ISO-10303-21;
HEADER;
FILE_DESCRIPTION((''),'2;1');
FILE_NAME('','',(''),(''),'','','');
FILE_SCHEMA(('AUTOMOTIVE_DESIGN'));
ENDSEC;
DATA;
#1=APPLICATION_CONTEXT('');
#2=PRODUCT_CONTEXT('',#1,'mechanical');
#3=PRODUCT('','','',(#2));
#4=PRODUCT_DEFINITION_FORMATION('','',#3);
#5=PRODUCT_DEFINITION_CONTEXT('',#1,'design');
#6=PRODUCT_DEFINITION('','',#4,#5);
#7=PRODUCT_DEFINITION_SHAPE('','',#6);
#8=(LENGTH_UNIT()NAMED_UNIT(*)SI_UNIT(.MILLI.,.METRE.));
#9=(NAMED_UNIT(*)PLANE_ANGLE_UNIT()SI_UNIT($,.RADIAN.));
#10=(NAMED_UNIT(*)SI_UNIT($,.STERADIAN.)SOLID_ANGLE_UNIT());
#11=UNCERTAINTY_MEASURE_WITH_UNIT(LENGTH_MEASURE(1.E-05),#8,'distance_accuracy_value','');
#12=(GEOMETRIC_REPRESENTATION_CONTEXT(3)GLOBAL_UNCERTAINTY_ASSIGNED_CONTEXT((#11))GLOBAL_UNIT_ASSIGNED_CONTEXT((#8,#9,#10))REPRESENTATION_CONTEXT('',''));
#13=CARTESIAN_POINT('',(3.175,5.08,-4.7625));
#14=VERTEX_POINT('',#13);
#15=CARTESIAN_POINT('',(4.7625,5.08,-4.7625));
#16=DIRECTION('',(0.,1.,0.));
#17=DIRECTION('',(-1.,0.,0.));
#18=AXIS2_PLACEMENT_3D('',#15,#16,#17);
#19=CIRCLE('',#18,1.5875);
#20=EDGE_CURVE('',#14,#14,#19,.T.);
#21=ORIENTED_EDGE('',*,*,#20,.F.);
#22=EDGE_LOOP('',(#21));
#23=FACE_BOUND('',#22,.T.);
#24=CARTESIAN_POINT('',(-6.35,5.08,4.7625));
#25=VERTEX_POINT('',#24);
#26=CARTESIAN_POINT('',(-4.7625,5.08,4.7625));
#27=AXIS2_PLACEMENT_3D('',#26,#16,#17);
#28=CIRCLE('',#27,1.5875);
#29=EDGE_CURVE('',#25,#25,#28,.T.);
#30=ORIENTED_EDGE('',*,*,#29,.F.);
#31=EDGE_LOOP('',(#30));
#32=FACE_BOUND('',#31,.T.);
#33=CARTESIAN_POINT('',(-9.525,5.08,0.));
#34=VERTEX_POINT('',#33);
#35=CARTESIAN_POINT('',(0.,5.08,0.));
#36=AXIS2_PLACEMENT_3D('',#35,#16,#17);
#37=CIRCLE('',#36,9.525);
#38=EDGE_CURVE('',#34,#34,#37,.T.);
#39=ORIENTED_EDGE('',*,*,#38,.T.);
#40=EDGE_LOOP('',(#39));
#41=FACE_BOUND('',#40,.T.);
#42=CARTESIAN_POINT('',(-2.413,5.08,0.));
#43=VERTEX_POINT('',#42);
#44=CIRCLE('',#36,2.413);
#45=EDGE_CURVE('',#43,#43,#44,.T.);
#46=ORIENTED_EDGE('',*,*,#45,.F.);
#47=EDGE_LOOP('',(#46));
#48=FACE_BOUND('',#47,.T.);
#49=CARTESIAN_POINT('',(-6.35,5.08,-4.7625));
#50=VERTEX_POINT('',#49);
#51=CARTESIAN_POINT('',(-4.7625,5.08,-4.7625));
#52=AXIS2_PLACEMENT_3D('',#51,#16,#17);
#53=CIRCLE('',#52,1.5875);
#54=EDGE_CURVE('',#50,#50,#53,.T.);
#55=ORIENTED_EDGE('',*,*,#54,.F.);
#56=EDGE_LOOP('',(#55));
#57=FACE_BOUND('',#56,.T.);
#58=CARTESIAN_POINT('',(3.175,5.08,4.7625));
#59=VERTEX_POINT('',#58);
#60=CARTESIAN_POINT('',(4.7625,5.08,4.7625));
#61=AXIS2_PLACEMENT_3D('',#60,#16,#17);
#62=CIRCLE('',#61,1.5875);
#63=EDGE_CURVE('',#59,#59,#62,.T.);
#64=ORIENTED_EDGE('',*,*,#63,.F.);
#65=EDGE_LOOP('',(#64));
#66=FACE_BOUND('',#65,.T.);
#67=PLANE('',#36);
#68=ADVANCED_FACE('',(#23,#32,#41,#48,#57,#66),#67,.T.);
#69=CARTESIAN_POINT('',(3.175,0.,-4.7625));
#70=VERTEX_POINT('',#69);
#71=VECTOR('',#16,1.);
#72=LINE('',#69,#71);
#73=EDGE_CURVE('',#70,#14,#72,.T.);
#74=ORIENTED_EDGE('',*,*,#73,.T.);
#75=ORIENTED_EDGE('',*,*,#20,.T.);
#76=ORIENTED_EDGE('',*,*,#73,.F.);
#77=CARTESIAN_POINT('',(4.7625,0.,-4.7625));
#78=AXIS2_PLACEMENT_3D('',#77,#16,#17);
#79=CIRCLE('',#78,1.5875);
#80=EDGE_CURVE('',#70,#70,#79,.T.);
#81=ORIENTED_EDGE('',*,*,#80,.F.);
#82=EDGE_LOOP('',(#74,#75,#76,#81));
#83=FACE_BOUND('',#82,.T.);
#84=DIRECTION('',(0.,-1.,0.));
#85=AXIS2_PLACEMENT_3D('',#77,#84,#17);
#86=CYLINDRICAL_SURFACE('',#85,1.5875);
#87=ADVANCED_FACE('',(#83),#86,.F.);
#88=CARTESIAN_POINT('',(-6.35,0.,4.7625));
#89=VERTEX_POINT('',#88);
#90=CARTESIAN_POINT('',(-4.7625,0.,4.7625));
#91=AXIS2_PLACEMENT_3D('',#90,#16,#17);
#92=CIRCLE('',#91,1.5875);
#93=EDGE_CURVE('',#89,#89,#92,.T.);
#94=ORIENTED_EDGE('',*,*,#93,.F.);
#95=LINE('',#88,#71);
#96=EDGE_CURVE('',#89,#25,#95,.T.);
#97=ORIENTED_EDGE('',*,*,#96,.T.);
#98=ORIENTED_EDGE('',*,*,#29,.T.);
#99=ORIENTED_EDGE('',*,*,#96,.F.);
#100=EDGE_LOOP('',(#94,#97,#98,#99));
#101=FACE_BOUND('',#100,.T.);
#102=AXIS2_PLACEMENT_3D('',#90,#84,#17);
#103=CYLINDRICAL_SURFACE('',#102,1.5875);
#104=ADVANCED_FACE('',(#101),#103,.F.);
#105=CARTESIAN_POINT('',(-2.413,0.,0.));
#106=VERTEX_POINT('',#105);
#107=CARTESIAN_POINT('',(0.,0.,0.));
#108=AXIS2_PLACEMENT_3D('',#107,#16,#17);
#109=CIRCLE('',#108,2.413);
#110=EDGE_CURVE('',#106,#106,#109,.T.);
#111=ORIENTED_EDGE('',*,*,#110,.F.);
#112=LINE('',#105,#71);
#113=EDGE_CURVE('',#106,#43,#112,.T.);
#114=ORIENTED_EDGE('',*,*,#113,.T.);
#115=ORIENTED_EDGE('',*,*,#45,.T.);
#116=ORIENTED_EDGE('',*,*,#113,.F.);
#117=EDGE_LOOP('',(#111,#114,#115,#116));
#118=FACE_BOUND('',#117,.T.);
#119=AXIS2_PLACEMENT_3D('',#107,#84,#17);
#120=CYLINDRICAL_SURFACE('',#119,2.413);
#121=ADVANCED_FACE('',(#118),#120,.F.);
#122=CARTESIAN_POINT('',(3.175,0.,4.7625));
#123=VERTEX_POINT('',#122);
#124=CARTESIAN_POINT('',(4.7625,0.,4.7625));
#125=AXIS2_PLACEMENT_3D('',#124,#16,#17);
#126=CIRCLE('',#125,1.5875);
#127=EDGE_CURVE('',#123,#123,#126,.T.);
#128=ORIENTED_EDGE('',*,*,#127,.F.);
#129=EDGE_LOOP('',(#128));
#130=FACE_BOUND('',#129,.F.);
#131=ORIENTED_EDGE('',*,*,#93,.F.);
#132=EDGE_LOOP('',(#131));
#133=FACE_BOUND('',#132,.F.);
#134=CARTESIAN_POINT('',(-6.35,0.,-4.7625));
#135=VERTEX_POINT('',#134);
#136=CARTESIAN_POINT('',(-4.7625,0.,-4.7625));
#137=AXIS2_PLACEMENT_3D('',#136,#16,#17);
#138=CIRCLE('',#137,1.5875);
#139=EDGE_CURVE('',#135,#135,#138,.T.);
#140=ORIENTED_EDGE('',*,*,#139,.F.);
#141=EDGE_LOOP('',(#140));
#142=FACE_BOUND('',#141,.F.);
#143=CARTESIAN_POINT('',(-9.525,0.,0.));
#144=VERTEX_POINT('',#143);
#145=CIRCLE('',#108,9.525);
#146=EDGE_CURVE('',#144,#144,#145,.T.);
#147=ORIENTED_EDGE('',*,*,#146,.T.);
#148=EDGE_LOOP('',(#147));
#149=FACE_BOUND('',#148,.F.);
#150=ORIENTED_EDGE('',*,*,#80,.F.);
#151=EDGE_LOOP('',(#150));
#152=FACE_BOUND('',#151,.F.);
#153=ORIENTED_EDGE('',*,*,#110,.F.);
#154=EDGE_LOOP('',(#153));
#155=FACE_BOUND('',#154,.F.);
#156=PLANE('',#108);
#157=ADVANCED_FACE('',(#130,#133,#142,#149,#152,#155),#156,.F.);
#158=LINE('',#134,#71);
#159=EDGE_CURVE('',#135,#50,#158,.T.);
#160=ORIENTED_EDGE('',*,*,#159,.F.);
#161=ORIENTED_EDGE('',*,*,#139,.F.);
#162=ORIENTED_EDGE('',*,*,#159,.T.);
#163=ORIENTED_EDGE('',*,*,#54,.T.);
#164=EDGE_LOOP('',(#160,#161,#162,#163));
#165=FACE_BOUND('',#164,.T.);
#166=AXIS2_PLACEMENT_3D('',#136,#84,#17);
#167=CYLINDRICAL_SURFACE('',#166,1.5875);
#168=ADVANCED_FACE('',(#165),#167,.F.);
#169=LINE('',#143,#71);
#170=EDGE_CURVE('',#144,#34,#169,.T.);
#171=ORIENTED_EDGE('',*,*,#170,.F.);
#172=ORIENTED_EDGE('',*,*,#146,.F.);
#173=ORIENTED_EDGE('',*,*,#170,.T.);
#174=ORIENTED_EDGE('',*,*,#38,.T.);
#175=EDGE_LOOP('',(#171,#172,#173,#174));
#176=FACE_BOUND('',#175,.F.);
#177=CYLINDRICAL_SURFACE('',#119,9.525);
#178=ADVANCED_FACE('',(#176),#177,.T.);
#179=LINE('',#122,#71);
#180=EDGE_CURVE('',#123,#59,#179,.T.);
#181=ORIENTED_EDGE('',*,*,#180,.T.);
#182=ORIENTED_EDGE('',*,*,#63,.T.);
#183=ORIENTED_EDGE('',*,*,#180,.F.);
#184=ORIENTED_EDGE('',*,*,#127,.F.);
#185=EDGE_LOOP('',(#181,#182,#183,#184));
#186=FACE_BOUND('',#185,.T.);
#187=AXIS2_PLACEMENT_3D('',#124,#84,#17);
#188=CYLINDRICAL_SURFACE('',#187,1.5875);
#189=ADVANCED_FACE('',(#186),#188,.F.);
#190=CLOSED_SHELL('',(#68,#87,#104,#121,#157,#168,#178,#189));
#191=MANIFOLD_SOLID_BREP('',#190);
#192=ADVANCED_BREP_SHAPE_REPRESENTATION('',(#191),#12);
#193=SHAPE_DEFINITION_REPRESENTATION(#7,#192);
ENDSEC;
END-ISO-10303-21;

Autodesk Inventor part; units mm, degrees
ref_plane "YZ Plane" through (0, 0, 0) normal (1, 0, 0) x (0, 1, 0)
ref_plane "XZ Plane" through (0, 0, 0) normal (0, 1, 0) x (-1, 0, 0)
ref_plane "XY Plane" through (0, 0, 0) normal (0, 0, 1) x (1, 0, 0)
sketch "Sketch1" plane through (0, 0, 0) normal (0, 1, 0) x (-1, 0, 0)
  circle A0 centre (0, 0) radius 9.525
  circle A1 centre (0, 0) radius 2.413
  circle A2 centre (4.7625, 4.7625) radius 1.5875
  circle A3 centre (-4.7625, 4.7625) radius 1.5875
  circle A4 centre (-4.7625, -4.7625) radius 1.5875
  circle A5 centre (4.7625, -4.7625) radius 1.5875
  dimension "d0" = 19.05
  dimension "d1" = 4.826
  dimension "d2" = 3.175
  dimension "d5" = 360
extrude "Extrusion1" add sketch "Sketch1" along normal blind 5.08
properties part number "Contracting Finger Motion Ring (shaft to motor)"
